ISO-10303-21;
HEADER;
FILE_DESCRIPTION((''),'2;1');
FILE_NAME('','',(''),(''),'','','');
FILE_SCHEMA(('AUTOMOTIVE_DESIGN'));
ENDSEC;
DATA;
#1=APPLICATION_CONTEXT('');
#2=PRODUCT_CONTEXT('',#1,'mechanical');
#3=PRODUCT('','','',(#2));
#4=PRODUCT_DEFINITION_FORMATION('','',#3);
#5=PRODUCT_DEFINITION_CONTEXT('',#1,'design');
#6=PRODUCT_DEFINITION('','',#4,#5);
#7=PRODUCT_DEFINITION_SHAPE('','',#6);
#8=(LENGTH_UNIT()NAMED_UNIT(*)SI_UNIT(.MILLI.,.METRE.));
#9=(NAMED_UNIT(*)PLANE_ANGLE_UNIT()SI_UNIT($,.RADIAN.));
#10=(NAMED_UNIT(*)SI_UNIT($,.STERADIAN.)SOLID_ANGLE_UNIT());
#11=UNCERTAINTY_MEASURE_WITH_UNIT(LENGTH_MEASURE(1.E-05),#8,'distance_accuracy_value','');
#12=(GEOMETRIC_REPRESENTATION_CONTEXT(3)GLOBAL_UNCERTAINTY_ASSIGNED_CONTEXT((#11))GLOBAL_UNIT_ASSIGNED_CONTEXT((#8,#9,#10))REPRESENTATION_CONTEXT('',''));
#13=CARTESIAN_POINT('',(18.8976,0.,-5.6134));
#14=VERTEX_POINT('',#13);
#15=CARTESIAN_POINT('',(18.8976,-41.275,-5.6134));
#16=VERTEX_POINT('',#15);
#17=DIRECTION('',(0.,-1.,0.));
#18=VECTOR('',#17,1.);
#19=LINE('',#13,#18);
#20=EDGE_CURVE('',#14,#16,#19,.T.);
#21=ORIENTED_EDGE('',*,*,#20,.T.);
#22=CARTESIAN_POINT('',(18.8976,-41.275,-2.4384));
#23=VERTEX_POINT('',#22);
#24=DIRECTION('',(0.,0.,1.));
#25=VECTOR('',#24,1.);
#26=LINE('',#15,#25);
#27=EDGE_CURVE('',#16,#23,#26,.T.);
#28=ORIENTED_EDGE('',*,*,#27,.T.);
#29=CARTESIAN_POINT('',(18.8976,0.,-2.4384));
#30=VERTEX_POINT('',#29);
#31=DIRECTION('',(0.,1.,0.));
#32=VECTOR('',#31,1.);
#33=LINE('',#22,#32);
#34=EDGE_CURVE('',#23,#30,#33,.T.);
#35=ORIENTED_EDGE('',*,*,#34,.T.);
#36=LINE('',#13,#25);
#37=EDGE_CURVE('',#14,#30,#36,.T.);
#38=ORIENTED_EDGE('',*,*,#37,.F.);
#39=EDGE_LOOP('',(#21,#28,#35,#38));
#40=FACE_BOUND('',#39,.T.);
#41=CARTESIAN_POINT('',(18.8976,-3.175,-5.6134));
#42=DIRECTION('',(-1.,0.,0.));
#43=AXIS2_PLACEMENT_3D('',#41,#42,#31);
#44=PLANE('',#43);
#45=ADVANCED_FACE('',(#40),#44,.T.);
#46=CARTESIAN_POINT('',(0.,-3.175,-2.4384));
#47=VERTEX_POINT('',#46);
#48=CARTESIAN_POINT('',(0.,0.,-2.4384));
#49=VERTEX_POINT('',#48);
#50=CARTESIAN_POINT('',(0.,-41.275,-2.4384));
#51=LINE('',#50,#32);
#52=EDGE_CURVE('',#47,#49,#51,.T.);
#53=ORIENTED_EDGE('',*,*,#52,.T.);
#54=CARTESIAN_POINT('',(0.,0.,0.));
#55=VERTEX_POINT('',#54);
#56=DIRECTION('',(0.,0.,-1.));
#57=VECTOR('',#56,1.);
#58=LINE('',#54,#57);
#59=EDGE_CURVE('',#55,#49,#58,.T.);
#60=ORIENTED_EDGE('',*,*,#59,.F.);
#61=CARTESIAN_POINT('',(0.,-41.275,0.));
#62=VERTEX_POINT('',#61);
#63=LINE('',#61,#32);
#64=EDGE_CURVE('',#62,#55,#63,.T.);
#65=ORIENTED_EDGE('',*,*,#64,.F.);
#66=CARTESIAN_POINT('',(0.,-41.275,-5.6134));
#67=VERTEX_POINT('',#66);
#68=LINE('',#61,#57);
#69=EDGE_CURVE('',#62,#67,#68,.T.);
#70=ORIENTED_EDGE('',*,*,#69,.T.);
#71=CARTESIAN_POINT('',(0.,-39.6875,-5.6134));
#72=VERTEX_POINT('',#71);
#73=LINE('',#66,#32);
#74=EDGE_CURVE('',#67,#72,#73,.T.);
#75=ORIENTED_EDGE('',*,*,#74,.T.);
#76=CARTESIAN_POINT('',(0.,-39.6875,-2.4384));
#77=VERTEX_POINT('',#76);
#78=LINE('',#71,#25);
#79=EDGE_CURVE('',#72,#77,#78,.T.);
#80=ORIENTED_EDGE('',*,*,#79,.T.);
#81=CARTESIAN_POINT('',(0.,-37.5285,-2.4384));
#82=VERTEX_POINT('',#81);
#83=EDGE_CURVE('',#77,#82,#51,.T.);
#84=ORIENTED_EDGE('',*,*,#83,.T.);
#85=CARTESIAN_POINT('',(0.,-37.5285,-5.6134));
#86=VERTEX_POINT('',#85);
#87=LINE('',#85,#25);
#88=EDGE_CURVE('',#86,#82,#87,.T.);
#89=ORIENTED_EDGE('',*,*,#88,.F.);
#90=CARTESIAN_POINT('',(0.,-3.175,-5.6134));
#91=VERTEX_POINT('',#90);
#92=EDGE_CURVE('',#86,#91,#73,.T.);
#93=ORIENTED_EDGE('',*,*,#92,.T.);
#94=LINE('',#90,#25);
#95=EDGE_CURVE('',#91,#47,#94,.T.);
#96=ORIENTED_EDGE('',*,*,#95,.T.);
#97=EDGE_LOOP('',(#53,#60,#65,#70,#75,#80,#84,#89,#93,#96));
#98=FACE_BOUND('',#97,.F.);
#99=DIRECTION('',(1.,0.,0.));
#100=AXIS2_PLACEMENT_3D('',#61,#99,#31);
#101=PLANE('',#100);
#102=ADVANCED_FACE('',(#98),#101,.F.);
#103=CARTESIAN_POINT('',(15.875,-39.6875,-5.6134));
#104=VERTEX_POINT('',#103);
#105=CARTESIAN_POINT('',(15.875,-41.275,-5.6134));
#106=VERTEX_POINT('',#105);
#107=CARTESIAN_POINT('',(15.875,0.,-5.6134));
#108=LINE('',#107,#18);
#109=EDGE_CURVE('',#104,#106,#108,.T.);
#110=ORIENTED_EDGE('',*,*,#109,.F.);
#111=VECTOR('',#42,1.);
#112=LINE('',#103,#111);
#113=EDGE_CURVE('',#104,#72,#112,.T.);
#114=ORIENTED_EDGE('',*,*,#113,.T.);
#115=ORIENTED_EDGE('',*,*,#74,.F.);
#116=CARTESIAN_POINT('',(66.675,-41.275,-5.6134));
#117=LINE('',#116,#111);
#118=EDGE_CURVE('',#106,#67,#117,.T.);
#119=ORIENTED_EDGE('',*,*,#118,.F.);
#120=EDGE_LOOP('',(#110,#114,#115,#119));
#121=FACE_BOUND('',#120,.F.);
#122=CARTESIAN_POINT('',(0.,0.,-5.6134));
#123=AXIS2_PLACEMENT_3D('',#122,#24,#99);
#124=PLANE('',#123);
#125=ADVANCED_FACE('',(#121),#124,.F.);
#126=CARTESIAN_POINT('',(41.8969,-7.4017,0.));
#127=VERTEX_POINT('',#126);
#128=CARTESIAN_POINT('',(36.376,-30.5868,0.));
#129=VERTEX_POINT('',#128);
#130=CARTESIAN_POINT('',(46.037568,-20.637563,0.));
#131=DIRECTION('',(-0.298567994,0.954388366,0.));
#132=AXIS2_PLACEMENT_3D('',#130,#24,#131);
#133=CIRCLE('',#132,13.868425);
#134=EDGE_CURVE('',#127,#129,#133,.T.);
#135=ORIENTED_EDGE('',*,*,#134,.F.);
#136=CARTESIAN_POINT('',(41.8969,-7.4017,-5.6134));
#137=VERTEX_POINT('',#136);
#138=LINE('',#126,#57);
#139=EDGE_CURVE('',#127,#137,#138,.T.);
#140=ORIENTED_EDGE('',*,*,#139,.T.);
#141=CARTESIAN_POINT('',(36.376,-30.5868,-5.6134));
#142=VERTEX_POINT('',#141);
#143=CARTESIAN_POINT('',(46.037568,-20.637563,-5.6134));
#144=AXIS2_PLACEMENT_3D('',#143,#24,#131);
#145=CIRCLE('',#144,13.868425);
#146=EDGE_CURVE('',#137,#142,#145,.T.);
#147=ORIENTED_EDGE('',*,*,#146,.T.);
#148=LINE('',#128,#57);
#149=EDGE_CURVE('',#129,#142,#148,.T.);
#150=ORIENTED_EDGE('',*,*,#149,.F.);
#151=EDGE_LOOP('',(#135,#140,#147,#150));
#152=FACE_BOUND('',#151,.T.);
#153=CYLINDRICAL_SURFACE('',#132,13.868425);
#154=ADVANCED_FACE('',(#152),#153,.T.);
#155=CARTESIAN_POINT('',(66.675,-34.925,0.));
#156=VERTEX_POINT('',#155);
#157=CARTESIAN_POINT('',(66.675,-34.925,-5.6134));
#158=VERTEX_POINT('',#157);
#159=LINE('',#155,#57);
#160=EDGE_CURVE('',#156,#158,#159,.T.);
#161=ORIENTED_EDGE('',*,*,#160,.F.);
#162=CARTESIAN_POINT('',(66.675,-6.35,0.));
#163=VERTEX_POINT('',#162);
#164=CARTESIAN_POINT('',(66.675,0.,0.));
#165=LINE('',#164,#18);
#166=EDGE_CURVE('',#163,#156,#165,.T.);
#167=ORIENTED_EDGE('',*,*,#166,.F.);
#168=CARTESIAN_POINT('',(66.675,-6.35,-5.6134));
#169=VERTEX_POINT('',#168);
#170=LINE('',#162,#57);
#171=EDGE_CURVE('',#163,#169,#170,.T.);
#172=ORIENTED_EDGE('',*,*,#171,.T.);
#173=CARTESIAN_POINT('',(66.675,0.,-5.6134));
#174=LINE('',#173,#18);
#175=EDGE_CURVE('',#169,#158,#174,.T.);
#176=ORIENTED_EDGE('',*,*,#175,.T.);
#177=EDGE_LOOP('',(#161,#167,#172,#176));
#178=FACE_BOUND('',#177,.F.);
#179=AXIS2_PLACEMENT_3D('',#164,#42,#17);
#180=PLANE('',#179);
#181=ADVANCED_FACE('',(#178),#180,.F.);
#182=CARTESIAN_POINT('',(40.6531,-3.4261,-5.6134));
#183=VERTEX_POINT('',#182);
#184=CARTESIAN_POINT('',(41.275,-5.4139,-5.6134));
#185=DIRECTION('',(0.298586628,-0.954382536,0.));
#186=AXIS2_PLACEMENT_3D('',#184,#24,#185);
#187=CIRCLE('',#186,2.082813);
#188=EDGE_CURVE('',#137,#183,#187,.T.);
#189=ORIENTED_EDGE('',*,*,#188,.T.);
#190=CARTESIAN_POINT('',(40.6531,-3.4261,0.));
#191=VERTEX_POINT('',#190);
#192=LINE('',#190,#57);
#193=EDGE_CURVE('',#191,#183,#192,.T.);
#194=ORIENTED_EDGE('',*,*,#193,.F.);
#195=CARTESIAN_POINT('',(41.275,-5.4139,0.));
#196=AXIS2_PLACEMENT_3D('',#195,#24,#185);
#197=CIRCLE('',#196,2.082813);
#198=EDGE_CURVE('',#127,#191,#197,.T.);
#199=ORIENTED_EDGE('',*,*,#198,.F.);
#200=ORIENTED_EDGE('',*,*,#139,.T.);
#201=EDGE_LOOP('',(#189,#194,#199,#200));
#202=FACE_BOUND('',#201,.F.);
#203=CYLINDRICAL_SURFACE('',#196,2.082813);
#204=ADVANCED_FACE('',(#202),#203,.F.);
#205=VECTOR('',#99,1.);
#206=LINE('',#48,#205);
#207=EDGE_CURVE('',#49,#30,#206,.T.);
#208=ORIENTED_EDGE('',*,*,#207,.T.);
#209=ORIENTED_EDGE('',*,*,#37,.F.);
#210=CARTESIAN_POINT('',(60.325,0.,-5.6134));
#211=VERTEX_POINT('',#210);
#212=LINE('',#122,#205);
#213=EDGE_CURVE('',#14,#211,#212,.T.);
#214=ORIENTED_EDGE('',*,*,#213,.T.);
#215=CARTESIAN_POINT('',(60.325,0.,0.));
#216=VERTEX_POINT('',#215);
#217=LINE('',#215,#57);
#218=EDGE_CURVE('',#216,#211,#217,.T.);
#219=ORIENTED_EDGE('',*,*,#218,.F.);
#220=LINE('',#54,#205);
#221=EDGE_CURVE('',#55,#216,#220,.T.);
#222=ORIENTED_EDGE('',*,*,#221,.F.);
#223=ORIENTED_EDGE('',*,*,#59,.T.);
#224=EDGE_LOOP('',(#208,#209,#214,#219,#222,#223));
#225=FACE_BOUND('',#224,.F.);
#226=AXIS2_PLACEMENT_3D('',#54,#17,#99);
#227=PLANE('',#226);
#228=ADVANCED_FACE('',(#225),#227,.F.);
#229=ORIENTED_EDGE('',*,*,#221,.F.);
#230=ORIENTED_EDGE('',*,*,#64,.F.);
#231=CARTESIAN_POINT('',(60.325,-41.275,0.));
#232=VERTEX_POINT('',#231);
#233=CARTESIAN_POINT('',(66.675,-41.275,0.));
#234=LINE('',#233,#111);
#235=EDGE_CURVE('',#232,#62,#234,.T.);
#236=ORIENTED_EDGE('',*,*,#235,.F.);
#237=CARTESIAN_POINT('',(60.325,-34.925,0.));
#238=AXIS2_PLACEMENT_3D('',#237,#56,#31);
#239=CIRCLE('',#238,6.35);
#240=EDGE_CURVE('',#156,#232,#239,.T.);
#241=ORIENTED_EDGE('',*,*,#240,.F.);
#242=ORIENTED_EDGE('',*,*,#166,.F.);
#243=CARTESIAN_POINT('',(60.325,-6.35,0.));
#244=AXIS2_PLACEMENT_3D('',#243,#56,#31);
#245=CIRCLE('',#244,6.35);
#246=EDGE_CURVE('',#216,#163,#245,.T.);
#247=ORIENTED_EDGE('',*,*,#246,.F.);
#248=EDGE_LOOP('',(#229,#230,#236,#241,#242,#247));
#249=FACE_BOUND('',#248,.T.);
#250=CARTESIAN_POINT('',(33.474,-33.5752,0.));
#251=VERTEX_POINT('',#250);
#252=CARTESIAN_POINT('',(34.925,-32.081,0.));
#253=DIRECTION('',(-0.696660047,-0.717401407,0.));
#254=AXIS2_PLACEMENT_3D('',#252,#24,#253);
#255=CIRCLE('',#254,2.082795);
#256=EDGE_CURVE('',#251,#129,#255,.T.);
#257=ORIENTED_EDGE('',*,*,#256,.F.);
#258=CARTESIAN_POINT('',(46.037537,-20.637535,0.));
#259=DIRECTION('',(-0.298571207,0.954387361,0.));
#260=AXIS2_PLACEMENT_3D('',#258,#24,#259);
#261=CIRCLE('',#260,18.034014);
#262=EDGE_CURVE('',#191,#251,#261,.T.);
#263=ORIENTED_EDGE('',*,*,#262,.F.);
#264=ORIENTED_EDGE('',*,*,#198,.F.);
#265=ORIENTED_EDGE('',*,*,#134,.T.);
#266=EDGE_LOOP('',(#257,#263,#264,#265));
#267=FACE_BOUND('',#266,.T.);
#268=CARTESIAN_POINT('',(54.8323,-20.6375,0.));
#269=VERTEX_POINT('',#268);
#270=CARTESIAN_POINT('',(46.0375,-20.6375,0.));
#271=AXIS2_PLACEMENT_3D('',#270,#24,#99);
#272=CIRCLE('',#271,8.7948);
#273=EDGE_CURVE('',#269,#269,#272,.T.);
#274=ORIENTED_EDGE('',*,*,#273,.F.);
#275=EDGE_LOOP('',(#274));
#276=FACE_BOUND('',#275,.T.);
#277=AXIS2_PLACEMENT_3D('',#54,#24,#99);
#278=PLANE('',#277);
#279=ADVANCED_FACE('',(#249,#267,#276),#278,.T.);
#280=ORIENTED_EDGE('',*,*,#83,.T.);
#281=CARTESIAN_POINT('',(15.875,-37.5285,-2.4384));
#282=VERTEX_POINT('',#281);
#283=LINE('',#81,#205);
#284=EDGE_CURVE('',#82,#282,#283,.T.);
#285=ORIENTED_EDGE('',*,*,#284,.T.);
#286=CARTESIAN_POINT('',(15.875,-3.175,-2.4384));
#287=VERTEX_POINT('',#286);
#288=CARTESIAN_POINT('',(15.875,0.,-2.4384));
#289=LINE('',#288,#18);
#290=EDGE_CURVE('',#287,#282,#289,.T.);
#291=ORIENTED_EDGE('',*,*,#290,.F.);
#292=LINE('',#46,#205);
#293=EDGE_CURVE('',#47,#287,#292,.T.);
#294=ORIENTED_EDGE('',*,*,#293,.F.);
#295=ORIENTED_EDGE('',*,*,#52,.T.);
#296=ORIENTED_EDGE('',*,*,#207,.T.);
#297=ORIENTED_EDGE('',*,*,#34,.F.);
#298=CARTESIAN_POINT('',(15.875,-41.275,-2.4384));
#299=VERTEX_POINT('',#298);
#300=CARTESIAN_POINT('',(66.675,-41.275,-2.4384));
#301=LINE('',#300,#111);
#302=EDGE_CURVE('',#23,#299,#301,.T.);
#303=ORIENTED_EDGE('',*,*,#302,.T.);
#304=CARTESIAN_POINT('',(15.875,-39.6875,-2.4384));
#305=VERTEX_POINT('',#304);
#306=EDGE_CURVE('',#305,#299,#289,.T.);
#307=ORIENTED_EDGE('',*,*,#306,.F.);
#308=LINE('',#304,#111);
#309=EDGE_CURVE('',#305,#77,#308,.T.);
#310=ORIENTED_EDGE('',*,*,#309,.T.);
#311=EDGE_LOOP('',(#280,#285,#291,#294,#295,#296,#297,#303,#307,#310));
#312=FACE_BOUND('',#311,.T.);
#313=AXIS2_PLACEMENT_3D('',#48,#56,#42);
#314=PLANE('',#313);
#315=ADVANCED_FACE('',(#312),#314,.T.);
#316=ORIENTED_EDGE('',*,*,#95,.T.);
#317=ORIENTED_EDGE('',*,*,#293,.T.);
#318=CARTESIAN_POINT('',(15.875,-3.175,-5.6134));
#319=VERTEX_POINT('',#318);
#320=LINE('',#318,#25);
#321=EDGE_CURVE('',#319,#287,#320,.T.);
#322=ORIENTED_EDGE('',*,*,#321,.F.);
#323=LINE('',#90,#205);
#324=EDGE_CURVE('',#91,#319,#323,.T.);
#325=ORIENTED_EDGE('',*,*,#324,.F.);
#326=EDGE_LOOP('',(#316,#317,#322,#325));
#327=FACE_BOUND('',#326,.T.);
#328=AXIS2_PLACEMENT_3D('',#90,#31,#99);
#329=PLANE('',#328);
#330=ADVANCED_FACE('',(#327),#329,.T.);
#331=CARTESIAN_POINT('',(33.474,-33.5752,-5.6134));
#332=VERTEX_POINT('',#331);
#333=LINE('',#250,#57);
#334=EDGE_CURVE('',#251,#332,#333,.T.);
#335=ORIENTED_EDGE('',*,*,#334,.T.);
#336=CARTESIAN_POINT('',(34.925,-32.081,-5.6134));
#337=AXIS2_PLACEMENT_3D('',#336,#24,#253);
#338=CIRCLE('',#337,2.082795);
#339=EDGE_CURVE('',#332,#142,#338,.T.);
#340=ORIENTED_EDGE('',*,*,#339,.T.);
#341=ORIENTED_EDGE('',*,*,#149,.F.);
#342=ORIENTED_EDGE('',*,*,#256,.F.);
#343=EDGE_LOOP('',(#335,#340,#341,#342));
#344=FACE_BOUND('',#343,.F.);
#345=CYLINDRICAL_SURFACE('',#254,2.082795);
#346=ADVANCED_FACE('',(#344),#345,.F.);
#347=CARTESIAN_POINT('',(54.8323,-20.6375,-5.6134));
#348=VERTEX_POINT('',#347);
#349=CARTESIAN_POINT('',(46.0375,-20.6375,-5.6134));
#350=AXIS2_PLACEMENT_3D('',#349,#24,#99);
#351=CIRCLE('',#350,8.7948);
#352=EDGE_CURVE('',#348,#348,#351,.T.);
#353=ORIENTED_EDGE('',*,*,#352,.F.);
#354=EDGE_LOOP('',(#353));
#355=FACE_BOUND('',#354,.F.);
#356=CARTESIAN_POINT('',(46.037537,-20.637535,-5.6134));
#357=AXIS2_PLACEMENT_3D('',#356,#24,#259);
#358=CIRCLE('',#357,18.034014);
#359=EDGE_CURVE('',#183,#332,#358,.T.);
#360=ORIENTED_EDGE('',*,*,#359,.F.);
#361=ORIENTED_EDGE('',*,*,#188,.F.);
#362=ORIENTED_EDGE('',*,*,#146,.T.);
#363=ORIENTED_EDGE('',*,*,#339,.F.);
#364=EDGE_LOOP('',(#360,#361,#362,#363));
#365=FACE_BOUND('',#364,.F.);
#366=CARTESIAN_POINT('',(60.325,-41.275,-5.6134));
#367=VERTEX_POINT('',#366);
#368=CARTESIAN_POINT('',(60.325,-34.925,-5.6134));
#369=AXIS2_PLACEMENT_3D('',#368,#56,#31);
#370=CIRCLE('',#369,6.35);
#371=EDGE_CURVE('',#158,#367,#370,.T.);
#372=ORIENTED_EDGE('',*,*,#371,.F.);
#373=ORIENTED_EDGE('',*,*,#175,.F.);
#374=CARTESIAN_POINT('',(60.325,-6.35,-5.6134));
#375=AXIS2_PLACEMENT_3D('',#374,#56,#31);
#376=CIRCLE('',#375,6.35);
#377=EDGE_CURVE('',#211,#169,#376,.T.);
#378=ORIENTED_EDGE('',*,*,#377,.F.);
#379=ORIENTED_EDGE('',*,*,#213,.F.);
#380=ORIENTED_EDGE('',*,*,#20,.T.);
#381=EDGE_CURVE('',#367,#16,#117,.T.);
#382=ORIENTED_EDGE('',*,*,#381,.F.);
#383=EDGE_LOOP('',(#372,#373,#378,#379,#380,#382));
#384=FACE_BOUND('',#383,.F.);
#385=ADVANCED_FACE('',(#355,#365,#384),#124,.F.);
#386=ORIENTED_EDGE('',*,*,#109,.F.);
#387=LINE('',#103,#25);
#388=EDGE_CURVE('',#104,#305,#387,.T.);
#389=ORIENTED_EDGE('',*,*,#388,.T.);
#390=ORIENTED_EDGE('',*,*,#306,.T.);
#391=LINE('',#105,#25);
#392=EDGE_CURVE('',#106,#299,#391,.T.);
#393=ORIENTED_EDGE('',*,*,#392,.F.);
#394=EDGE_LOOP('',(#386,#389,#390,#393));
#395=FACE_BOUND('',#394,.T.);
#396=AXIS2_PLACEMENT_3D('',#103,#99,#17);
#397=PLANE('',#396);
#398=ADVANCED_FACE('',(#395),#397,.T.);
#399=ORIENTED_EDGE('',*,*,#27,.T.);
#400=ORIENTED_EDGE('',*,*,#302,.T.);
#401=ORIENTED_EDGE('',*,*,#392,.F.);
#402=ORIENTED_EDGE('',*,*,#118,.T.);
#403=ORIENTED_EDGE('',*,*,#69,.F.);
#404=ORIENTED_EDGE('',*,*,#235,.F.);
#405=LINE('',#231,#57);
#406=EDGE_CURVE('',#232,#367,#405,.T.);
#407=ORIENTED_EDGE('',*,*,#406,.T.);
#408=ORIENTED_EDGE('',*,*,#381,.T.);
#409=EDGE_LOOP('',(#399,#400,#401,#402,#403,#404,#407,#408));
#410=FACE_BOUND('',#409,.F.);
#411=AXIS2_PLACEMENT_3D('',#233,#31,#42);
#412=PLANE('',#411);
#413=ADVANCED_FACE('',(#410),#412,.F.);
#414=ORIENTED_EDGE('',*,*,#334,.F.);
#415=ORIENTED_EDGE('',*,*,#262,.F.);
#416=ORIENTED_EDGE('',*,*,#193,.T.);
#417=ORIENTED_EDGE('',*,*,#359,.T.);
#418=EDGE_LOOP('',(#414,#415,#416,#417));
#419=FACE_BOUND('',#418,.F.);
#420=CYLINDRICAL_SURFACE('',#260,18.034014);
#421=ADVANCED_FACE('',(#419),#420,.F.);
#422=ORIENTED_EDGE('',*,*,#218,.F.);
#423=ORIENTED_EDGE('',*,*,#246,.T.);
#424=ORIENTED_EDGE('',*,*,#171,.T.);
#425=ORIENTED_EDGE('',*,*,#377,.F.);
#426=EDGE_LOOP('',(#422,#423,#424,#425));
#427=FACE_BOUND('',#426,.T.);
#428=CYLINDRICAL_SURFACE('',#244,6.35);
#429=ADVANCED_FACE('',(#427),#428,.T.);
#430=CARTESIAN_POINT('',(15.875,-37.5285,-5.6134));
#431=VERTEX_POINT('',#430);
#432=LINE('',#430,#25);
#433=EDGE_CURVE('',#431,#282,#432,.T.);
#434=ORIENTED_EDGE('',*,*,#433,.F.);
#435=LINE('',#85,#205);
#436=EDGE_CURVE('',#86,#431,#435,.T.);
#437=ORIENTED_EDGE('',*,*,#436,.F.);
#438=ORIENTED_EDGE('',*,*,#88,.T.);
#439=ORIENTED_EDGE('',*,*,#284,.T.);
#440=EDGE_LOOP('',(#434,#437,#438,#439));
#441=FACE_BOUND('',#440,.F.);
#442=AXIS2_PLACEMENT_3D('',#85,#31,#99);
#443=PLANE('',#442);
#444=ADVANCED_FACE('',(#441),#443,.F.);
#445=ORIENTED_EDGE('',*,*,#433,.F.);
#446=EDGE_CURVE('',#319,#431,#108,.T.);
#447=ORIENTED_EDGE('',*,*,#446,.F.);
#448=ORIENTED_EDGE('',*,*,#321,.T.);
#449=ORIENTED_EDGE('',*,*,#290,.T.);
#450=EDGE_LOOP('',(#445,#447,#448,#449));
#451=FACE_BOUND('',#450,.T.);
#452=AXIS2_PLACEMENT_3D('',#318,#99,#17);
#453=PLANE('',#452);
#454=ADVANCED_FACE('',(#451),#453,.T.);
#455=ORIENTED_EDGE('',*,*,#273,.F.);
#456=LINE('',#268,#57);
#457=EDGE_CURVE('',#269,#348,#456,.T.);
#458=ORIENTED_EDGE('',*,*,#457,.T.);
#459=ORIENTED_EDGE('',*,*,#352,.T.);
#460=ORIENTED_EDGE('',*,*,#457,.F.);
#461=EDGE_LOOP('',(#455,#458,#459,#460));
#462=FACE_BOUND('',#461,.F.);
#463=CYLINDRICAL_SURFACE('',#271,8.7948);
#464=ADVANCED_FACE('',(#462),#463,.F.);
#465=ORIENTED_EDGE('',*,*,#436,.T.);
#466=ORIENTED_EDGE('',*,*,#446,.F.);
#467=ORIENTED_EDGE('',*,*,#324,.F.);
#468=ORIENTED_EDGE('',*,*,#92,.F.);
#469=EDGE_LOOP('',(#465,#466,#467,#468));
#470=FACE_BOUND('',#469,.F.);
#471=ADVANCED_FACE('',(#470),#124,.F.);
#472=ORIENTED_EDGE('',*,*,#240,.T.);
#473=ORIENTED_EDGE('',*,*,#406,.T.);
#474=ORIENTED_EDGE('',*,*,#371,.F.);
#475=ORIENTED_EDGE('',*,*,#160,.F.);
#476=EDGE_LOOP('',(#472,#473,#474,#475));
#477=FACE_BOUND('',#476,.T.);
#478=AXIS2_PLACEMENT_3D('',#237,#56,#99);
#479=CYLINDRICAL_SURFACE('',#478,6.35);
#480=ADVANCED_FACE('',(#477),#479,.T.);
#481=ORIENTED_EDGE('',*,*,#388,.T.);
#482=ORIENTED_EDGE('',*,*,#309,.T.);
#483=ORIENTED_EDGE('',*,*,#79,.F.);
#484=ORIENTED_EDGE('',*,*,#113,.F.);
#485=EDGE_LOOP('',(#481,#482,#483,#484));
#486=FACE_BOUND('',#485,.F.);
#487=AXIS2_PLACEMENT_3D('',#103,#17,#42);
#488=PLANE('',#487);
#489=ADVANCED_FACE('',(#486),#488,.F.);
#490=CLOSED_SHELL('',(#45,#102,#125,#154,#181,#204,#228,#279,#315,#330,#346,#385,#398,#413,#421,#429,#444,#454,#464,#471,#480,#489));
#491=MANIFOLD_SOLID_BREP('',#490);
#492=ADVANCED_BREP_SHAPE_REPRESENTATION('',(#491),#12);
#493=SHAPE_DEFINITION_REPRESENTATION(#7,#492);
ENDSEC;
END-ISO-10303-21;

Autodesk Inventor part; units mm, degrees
ref_plane "YZ Plane" through (0, 0, 0) normal (1, 0, 0) x (0, 1, 0)
ref_plane "XZ Plane" through (0, 0, 0) normal (0, 1, 0) x (-1, 0, 0)
ref_plane "XY Plane" through (0, 0, 0) normal (0, 0, 1) x (1, 0, 0)
sketch "Sketch1" plane through (0, 0, 0) normal (0, 0, 1) x (1, 0, 0)
  line L0 (0, 0) -> (66.675, 0)
  line L1 (66.675, 0) -> (66.675, -41.275)
  line L2 (66.675, -41.275) -> (0, -41.275)
  line L3 (0, -41.275) -> (0, 0)
  arc A0 (40.6531, -3.4261) -> (33.474, -33.5752) centre (46.0375, -20.6375) ccw
  arc A1 (41.8969, -7.4017) -> (36.376, -30.5868) centre (46.0375, -20.6375) ccw
  circle A2 centre (46.0375, -20.6375) radius 8.7948
  arc A3 (41.8969, -7.4017) -> (40.6531, -3.4261) centre (41.275, -5.4139) ccw
  arc A4 (33.474, -33.5752) -> (36.376, -30.5868) centre (34.925, -32.081) ccw
  dimension "d0" = 41.275
  dimension "d1" = 66.675
  dimension "d4" = 17.5895
  dimension "d5" = 20.6375
  dimension "d22" = 20.6375
  dimension "d23" = 25.4
  dimension "d24" = 31.75
  dimension "d54" = 2.0828
  dimension "d55" = 15.9512
extrude "Extrusion1" add sketch "Sketch1" against normal blind 5.6134
sketch "Sketch5" plane through (0, 0, -5.6134) normal (0, 0, -1) x (-1, 0, 0)
  line L0 (0, 0) -> (-66.675, 0) projected
  line L1 (-66.675, -41.275) -> (0, -41.275) projected
  line L2 (0, -41.275) -> (0, 0) projected
  line L3 (-18.8976, 0) -> (-15.875, 0)
  line L4 (-15.875, 0) -> (-15.875, -41.275)
  line L5 (-15.875, -41.275) -> (-18.8976, -41.275)
  line L6 (-18.8976, -41.275) -> (-18.8976, 0)
  line L7 (-18.8976, 0) -> (0, 0)
  line L8 (0, 0) -> (0, -3.175)
  line L9 (0, -3.175) -> (-18.8976, -3.175)
  line L10 (-18.8976, -3.175) -> (-18.8976, 0)
  line L11 (-15.875, -39.6875) -> (0, -39.6875)
  line L12 (0, -39.6875) -> (0, -37.5285)
  line L13 (0, -37.5285) -> (-15.875, -37.5285)
  line L14 (-15.875, -37.5285) -> (-15.875, -39.6875)
  dimension "d37" = 3.0226
  dimension "d38" = 15.875
  dimension "d39" = 3.175
  dimension "d43" = 1.5875
  dimension "d44" = 2.159
extrude "Extrusion5" cut sketch "Sketch5" against normal blind 3.175 contours L2 L9 L4 L0 | L4 L9 L6 L0 | L4 L1 L6 L9 | L2 L11 L4 L13
fillet "Fillet1" radius 6.35 2 edges at (66.675, 0, -2.8067) (66.675, -41.275, -2.8067)
properties part number "Lidar Sensor Case v4 Piece 3"
